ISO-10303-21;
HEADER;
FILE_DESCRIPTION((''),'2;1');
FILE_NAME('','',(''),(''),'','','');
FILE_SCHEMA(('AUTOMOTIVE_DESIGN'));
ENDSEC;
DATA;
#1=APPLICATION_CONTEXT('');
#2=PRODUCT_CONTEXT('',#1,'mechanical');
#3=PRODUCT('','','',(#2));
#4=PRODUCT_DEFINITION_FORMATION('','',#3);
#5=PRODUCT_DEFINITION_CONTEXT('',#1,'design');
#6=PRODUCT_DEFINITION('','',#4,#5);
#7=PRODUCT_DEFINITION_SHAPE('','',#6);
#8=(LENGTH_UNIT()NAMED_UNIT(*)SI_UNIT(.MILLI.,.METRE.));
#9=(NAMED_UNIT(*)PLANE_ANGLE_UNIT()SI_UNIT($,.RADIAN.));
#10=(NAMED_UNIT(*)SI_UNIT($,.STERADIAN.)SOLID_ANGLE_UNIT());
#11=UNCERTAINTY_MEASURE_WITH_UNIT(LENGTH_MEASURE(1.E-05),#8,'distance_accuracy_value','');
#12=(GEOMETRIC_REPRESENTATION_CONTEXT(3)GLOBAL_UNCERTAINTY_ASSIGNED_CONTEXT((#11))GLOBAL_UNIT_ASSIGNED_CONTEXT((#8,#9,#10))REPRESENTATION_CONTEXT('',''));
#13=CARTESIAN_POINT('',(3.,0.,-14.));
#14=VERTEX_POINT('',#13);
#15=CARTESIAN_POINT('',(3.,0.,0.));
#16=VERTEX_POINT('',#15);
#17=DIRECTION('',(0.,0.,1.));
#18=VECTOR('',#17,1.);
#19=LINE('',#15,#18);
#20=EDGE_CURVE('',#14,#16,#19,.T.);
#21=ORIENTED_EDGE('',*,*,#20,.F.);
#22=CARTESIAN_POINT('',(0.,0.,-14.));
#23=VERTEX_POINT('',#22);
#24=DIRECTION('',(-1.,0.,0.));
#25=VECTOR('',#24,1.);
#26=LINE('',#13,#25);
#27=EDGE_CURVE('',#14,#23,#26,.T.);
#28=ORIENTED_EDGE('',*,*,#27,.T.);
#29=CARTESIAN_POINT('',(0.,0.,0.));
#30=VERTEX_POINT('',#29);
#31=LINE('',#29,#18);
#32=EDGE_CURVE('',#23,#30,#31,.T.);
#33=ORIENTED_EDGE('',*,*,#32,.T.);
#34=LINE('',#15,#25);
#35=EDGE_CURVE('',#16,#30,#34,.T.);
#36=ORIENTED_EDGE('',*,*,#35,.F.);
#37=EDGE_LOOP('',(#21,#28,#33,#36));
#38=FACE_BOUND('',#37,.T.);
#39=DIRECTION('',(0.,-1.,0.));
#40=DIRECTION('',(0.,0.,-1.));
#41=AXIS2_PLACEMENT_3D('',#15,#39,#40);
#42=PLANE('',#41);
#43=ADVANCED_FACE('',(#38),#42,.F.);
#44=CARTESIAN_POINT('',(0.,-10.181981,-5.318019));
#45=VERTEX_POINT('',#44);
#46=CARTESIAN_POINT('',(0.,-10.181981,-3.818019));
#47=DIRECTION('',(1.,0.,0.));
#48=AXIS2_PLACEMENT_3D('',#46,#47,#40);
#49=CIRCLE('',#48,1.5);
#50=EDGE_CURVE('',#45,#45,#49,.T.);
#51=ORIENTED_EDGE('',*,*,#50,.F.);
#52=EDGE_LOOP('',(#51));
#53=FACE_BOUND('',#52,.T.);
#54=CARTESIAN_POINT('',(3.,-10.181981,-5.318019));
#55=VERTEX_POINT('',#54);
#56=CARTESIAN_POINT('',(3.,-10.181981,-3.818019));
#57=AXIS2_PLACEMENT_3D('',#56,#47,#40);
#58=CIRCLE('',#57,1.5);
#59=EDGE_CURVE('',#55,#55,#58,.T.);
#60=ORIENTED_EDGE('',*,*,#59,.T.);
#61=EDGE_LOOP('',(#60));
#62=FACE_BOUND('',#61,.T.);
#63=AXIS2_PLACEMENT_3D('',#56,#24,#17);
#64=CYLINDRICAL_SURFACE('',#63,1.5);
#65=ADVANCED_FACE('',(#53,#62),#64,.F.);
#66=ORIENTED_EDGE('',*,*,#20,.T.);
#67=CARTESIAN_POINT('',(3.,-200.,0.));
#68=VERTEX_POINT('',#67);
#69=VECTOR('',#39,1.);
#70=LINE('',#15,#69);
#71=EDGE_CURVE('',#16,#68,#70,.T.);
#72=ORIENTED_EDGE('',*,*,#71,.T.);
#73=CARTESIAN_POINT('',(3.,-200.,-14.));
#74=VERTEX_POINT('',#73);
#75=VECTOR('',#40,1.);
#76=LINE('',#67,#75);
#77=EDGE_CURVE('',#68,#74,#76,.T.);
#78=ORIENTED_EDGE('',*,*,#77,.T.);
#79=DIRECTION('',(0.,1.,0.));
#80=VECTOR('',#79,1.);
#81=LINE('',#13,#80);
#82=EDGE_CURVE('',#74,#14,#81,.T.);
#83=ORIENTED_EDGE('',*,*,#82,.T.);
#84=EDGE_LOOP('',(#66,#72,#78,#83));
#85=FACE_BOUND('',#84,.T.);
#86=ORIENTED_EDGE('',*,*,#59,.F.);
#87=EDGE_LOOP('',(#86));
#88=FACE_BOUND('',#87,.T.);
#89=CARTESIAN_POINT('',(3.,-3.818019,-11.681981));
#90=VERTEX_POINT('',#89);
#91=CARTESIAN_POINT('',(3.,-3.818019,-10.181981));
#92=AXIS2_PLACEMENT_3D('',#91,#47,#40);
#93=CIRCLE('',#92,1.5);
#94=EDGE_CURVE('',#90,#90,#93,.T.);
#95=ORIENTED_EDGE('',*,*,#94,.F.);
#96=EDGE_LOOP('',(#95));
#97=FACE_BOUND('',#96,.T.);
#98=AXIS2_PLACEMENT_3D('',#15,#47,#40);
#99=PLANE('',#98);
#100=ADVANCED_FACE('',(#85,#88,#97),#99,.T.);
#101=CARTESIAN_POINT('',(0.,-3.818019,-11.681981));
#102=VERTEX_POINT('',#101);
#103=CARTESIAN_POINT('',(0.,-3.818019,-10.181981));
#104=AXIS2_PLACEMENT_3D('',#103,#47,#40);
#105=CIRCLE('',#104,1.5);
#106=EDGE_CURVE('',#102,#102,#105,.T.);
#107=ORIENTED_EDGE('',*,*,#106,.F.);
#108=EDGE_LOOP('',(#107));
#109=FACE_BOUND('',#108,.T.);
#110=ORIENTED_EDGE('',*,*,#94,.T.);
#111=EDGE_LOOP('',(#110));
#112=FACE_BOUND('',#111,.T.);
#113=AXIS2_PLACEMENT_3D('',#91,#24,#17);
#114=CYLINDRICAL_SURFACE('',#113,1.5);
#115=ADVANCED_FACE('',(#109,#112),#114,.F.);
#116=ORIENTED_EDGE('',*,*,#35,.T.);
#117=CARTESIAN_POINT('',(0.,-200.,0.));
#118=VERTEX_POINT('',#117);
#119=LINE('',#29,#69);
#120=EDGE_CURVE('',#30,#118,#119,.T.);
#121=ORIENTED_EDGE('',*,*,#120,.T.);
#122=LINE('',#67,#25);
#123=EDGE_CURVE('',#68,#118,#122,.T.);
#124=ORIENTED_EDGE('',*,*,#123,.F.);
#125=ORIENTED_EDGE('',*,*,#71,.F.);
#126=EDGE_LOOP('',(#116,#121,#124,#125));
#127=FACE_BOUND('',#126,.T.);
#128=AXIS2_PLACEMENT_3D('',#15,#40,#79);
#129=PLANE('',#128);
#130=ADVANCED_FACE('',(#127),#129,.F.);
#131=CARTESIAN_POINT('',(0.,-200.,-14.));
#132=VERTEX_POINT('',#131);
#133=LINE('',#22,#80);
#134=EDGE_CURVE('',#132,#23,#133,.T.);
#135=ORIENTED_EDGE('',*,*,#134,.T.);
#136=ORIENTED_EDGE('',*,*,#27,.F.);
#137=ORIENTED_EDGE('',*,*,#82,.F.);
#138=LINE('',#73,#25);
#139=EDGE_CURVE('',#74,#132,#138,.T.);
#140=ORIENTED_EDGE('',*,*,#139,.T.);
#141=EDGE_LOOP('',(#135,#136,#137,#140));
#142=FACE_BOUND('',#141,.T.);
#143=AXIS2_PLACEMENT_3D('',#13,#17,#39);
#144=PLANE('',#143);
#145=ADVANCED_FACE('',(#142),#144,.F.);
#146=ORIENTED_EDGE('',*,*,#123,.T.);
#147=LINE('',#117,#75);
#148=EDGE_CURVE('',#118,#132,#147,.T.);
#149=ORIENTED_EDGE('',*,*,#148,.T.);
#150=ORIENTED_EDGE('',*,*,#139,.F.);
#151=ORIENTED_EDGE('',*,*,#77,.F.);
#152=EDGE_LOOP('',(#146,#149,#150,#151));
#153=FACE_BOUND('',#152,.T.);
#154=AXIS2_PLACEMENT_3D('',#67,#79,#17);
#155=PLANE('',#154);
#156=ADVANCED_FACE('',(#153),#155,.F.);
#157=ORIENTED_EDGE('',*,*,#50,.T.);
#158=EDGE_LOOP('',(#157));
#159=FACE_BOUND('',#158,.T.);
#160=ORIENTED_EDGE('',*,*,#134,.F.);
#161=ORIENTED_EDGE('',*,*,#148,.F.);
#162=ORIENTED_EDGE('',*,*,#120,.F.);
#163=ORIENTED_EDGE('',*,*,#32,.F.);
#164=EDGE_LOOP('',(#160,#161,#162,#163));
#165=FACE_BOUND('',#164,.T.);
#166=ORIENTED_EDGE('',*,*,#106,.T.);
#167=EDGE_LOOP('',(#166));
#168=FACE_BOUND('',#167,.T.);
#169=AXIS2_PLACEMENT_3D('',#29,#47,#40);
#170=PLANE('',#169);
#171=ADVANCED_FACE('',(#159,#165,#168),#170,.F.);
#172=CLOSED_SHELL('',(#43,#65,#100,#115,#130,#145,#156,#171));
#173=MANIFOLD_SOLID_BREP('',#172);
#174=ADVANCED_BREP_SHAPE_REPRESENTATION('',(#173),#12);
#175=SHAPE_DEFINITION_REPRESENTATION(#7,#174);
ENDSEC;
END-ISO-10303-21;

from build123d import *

# Parameters (mm, degrees)
SKETCH_1_W      = 14
SKETCH_1_H      = 200
SKETCH_1_R      = 1.5
EXTRUDE_1_DEPTH = 3


with BuildPart() as part:
    # 草图1 → 凸台-拉伸1 (new body)
    with BuildSketch(Plane(origin=(0, 0, 0), x_dir=(0, 0, -1), z_dir=(1, 0, 0))):
        with Locations((7, -100)):
            Rectangle(SKETCH_1_W, SKETCH_1_H)
        with Locations((10.181980515, -3.818019485)):
            Circle(SKETCH_1_R, mode=Mode.SUBTRACT)
        with Locations((3.818019485, -10.181980515)):
            Circle(SKETCH_1_R, mode=Mode.SUBTRACT)
    extrude(amount=EXTRUDE_1_DEPTH)


solid = part.part
